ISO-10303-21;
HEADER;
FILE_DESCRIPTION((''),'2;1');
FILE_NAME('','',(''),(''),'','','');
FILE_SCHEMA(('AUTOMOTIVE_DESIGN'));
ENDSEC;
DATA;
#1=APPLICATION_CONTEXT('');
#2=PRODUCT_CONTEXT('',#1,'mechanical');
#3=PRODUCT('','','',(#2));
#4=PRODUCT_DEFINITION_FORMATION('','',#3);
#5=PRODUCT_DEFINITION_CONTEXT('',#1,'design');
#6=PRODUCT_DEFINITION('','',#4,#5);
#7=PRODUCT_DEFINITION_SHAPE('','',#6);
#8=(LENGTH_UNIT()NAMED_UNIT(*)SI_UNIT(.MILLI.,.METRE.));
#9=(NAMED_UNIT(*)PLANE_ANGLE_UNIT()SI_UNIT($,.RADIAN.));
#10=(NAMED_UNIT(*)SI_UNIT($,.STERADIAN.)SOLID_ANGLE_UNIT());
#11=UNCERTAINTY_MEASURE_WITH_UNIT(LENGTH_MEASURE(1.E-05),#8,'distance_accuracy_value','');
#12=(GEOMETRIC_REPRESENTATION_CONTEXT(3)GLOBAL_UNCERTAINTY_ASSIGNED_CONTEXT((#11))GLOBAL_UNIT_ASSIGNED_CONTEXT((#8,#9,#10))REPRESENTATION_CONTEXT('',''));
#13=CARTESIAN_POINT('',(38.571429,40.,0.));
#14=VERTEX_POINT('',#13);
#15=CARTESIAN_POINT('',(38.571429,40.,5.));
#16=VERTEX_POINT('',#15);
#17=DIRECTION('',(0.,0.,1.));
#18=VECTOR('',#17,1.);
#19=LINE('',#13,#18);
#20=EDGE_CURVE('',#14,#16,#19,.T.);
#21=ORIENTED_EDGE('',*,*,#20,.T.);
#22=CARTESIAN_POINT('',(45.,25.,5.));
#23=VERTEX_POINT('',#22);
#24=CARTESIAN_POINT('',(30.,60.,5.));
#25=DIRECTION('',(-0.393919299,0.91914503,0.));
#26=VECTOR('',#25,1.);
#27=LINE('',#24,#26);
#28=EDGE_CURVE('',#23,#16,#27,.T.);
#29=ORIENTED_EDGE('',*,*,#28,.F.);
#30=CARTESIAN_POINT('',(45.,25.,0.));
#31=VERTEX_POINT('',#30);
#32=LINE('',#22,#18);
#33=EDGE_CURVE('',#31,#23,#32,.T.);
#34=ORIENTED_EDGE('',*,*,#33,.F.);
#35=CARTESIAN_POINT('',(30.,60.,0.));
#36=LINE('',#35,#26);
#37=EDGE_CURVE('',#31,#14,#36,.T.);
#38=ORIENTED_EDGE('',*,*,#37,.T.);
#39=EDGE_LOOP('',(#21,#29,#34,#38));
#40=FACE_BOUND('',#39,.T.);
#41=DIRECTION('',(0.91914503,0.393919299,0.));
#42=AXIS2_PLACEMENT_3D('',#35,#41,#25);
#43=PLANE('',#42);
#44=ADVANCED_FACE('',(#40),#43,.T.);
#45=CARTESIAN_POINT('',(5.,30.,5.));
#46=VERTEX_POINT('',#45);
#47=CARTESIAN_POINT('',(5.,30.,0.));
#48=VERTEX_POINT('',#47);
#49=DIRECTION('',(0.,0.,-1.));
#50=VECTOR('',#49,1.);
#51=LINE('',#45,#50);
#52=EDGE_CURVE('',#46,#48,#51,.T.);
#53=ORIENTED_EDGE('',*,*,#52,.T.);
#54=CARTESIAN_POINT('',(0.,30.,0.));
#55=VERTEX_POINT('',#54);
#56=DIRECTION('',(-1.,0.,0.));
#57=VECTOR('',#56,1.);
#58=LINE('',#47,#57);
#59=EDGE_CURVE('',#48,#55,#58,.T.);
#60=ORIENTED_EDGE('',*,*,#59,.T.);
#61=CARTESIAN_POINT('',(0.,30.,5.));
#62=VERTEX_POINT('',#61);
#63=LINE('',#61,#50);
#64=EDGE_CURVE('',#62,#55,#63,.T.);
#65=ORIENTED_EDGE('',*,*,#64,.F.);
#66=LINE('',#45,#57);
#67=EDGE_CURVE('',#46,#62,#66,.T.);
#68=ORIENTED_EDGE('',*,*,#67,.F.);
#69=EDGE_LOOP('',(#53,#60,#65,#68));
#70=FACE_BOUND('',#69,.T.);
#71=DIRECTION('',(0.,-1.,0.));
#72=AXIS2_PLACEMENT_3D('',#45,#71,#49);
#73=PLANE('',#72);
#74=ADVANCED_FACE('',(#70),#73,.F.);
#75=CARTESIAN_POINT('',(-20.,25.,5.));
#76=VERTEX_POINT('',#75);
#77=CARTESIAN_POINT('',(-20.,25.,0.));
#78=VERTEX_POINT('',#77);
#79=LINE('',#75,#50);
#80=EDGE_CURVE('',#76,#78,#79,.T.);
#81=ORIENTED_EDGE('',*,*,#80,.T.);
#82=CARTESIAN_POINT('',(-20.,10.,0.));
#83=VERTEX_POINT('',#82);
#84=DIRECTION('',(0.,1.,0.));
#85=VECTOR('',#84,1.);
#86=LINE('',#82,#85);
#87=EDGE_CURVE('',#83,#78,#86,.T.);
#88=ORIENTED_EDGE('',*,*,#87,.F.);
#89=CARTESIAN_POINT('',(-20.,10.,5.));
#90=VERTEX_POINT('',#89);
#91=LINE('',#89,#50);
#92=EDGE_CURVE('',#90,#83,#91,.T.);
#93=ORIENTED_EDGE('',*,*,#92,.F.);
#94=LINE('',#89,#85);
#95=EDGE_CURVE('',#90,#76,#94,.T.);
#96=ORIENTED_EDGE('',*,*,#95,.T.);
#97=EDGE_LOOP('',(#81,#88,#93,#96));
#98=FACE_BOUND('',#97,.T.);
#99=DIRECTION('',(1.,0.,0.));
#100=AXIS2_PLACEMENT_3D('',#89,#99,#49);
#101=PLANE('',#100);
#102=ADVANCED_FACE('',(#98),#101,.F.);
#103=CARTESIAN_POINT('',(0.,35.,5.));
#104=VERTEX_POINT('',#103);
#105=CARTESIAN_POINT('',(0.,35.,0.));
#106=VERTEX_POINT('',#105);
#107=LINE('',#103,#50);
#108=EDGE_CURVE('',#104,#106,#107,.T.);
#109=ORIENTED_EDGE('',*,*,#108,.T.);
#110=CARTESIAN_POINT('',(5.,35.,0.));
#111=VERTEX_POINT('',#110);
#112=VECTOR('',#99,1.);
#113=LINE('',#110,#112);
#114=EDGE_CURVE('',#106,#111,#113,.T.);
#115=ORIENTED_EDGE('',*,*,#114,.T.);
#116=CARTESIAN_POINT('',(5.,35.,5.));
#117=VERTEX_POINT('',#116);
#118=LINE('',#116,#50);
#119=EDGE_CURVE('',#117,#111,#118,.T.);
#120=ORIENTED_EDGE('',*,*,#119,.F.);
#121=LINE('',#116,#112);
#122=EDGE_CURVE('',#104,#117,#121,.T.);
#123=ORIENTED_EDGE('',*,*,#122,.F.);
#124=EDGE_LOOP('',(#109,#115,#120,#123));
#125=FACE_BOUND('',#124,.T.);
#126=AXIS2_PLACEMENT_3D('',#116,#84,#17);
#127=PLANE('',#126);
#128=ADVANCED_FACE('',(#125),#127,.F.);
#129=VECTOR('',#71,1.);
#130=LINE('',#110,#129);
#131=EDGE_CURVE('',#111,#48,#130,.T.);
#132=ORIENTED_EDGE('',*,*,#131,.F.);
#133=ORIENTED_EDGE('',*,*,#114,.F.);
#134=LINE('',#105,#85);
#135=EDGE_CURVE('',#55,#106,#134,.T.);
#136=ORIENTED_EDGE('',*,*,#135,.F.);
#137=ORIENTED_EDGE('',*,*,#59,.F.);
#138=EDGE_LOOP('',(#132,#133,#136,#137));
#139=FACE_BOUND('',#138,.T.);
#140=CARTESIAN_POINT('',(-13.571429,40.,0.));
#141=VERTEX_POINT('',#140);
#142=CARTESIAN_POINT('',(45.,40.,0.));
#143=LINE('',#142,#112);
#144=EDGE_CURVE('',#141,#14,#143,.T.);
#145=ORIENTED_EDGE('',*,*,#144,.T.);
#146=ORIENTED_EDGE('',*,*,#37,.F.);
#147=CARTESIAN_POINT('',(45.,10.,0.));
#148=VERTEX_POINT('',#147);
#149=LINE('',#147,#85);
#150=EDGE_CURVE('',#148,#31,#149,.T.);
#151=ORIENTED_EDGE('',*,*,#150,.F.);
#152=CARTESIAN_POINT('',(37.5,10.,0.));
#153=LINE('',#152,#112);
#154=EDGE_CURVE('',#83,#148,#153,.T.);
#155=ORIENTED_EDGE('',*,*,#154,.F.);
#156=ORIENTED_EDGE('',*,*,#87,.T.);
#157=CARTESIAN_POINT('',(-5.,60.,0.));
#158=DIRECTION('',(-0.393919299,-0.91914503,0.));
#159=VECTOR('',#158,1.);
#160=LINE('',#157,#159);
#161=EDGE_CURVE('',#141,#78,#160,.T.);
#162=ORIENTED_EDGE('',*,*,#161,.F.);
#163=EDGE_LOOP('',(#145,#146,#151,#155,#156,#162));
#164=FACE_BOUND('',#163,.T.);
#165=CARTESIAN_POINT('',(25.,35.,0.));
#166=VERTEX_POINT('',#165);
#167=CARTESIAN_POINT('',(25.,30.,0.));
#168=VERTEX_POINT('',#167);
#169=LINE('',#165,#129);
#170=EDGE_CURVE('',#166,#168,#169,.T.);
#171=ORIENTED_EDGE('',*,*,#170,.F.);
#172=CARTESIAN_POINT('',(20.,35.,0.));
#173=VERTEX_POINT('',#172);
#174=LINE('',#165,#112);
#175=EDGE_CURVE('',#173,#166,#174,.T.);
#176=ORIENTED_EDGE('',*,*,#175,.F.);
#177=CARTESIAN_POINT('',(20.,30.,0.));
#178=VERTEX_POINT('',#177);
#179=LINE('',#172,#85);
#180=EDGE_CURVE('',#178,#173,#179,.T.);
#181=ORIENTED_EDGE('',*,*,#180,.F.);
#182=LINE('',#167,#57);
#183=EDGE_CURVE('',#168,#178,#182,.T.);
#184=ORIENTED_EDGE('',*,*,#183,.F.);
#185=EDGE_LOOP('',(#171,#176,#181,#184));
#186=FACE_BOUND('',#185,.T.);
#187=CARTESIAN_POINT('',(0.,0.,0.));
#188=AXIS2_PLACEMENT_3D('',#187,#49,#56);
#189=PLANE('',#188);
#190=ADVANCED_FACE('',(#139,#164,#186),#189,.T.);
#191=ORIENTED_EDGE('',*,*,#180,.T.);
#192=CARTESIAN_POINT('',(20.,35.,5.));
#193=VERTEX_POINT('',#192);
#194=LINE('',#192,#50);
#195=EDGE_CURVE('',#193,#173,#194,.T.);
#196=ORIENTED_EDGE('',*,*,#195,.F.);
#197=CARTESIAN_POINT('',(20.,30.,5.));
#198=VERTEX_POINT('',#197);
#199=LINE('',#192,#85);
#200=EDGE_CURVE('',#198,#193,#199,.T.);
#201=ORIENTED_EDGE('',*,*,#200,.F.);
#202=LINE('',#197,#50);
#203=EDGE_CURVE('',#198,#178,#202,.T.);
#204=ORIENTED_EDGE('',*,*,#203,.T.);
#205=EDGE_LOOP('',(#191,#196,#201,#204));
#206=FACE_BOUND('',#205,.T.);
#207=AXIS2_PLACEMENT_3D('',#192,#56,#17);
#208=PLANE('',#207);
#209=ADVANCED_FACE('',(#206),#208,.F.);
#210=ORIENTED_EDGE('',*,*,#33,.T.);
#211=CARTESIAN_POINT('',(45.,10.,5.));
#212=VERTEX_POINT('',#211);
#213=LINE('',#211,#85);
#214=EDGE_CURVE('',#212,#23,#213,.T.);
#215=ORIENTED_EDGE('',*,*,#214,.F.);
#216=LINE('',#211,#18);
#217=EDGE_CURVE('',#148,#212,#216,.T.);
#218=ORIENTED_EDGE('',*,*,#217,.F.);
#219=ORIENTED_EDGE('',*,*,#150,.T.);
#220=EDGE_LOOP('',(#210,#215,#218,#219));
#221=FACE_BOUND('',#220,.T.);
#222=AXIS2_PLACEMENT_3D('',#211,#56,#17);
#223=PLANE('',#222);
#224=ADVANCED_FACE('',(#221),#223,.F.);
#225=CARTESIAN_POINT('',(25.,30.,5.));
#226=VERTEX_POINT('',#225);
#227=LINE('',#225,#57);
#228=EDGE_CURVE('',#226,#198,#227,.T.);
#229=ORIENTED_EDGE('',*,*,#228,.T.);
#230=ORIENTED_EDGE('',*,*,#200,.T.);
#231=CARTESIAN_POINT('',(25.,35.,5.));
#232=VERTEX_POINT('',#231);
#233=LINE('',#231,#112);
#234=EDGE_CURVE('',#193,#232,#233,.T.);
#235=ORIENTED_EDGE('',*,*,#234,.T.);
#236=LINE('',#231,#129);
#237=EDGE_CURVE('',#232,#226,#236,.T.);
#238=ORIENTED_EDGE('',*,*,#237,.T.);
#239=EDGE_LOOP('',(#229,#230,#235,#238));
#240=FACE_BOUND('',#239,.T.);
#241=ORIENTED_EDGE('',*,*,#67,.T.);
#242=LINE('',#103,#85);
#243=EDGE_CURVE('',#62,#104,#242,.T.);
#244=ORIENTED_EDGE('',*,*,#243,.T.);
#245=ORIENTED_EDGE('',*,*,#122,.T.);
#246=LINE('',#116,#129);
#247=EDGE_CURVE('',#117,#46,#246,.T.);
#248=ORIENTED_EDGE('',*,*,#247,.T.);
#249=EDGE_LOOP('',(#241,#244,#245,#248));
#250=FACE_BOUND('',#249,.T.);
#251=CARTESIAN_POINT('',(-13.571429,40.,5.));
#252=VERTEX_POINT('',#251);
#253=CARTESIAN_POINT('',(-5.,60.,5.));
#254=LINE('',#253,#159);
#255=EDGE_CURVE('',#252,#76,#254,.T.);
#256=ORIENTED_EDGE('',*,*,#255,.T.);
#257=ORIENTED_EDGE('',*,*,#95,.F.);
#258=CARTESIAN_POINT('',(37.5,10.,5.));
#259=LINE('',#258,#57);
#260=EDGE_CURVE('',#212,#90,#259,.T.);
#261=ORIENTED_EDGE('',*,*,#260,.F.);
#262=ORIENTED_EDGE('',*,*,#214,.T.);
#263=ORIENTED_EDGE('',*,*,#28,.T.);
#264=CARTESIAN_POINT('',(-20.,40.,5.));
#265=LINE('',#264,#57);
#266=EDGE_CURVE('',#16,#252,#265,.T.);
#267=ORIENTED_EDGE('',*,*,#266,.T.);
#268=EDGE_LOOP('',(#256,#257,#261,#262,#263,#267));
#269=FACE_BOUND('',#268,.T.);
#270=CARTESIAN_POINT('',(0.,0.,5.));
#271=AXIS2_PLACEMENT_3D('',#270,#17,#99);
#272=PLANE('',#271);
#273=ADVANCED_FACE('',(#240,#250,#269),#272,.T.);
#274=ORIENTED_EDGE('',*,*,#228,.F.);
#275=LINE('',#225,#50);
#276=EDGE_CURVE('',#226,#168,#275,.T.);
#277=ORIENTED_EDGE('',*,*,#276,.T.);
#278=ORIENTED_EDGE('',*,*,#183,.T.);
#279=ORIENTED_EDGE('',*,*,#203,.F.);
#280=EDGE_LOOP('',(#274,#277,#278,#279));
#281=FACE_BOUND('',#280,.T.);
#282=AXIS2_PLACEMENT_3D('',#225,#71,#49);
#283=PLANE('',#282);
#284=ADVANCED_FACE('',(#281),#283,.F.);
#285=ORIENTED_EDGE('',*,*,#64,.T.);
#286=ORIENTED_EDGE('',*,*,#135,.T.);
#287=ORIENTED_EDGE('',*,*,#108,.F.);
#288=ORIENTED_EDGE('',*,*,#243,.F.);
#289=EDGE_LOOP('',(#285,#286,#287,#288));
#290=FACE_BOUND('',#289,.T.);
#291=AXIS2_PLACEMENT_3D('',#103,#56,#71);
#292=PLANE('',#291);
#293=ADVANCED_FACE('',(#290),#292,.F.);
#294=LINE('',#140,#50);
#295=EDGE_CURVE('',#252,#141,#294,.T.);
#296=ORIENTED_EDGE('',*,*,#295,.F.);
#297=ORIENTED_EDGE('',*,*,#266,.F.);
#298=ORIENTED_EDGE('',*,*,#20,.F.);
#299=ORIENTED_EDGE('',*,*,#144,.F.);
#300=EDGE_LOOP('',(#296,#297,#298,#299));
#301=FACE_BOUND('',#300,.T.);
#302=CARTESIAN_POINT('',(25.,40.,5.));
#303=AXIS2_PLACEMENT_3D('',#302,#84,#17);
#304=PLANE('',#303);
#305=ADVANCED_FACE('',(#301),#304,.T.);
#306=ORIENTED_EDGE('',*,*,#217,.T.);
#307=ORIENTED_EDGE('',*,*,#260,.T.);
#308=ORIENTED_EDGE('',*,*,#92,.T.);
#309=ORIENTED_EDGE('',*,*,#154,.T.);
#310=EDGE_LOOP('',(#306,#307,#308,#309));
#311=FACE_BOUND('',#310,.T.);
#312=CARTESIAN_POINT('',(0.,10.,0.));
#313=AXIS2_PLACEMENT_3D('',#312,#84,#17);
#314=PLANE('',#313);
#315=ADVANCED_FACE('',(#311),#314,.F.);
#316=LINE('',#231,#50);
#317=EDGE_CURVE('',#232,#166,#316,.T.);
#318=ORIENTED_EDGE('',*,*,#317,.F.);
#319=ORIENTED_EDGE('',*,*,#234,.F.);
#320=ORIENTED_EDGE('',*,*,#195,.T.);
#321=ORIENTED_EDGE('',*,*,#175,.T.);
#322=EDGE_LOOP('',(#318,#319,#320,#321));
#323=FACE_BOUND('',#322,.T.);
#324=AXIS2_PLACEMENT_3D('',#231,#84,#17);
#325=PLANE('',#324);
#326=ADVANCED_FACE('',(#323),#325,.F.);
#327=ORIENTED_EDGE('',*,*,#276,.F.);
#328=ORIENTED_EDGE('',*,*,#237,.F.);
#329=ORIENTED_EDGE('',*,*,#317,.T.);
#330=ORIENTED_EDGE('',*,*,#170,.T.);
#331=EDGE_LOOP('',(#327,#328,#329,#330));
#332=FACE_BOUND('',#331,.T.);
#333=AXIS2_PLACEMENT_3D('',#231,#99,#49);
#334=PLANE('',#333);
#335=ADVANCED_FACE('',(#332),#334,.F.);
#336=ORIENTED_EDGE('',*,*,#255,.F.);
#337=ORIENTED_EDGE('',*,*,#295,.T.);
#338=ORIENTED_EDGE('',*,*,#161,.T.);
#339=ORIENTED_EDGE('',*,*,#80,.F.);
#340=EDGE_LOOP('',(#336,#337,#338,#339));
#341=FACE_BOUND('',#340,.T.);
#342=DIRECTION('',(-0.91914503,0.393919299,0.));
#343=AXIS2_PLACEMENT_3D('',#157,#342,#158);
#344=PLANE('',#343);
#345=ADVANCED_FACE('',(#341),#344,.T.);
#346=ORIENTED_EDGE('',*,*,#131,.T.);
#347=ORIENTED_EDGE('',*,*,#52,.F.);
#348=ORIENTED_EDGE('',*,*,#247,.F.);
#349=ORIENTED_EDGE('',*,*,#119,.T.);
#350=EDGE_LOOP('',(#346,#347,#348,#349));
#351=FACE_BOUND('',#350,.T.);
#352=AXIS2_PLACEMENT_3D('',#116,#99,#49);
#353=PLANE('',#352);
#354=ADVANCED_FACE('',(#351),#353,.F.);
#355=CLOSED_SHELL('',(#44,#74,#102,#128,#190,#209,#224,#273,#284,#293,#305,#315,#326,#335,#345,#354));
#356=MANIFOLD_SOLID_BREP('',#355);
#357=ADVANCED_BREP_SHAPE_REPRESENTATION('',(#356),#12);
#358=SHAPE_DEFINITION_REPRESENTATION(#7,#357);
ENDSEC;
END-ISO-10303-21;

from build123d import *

# Parameters (mm, degrees)
BOSS_EXTRUDE1_DEPTH  = 2
SKETCH2_W            = 5
SKETCH2_H            = 25
SKETCH2_W_2          = 20
BOSS_EXTRUDE2_DEPTH  = 20
SKETCH3_W            = 25
SKETCH3_H            = 2
BOSS_EXTRUDE3_DEPTH  = 25
SKETCH4_W            = 25
SKETCH4_H            = 25
BOSS_EXTRUDE4_DEPTH  = 7
BOSS_EXTRUDE5_DEPTH  = 5
SKETCH6_W            = 50
SKETCH6_H            = 25
BOSS_EXTRUDE6_DEPTH  = 5
BOSS_EXTRUDE7_DEPTH  = 30
CUT_EXTRUDE2_DEPTH   = 30
SKETCH10_W           = 5
SKETCH10_H           = 25
CUT_EXTRUDE3_DEPTH   = 20
SKETCH11_W           = 25
SKETCH11_H           = 25
CUT_EXTRUDE4_DEPTH   = 7
SKETCH13_W           = 5
SKETCH13_H           = 25
CUT_EXTRUDE5_DEPTH   = 10
BOSS_EXTRUDE8_REACH  = 12
SKETCH14_W           = 10
SKETCH14_H           = 5
SKETCH15_W           = 2.5
SKETCH15_H           = 25
CUT_EXTRUDE6_DEPTH   = 15
SKETCH16_W           = 5
SKETCH16_H           = 15
CUT_EXTRUDE7_DEPTH   = 26
SKETCH17_W           = 5
SKETCH17_H           = 15
CUT_EXTRUDE8_DEPTH   = 43.5
SKETCH18_W           = 5
SKETCH18_H           = 15
CUT_EXTRUDE9_DEPTH   = 6
CUT_EXTRUDE10_DEPTH  = 43.5
CUT_EXTRUDE11_DEPTH  = 43.5
SKETCH21_W           = 5
SKETCH21_H           = 5
SKETCH21_H_2         = 15
BOSS_EXTRUDE9_DEPTH  = 5
SKETCH22_W           = 5
SKETCH22_H           = 5
SKETCH22_W_2         = 50
SKETCH22_H_2         = 15
CUT_EXTRUDE12_DEPTH  = 6
SKETCH23_W           = 5
SKETCH23_H           = 5
CUT_EXTRUDE13_DEPTH  = 6
BOSS_EXTRUDE10_DEPTH = 15
BOSS_EXTRUDE11_DEPTH = 5
SKETCH26_W           = 65
SKETCH26_H           = 5
CUT_EXTRUDE14_DEPTH  = 20


with BuildPart() as part:
    # Sketch1 → Boss-Extrude1 (new body)
    with BuildSketch(Plane.XY):
        Polygon((-5, 75), (2.5, 25), (2.5, 0), (22.5, 0), (22.5, 25), (30, 75), (30, 100), (25, 100), (25, 75), (0, 75), (0, 100), (-5, 100), align=None)
    extrude(amount=BOSS_EXTRUDE1_DEPTH)

    # Sketch2 → Boss-Extrude2 (add)
    with BuildSketch(Plane(origin=(0, 0, 0), x_dir=(-1, 0, 0), z_dir=(0, 0, -1))):
        with Locations((-27.5, 87.5)):
            Rectangle(SKETCH2_W, SKETCH2_H)
        with Locations((2.5, 87.5)):
            Rectangle(SKETCH2_W, SKETCH2_H)
        with Locations((-12.5, 12.5)):
            Rectangle(SKETCH2_W_2, SKETCH2_H)
    extrude(amount=BOSS_EXTRUDE2_DEPTH)

    # Sketch3 → Boss-Extrude3 (add)
    with BuildSketch(Plane(origin=(0, 75, 0), x_dir=(1, 0, 0), z_dir=(0, 1, 0))):
        with Locations((12.5, -1)):
            Rectangle(SKETCH3_W, SKETCH3_H)
    extrude(amount=BOSS_EXTRUDE3_DEPTH)

    # Sketch4 → Boss-Extrude4 (add)
    with BuildSketch(Plane(origin=(0, 0, 0), x_dir=(-1, 0, 0), z_dir=(0, 0, -1))):
        with Locations((-12.5, 87.5)):
            Rectangle(SKETCH4_W, SKETCH4_H)
    extrude(amount=BOSS_EXTRUDE4_DEPTH)

    # Sketch5 → Boss-Extrude5 (add)
    with BuildSketch(Plane(origin=(0, 0, 0), x_dir=(-1, 0, 0), z_dir=(0, 0, -1))):
        Polygon((5, 75), (5, 0), (-2.5, 0), (-22.5, 0), (-30, 0), (-30, 75), (-30, 100), (5, 100), align=None)
    extrude(amount=-BOSS_EXTRUDE5_DEPTH)

    # Sketch6 → Boss-Extrude6 (add)
    with BuildSketch(Plane.XY.offset(5)):
        with Locations((12.5, 12.5)):
            Rectangle(SKETCH6_W, SKETCH6_H)
    extrude(amount=-BOSS_EXTRUDE6_DEPTH)

    # Sketch8 → Boss-Extrude7 (add)
    with BuildSketch(Plane.XZ.offset(-75)):
        Polygon((-5, 0), (-5, -20), (0, -20), (0, -7), (25, -7), (25, -20), (30, -20), (30, 0), align=None)
    extrude(amount=BOSS_EXTRUDE7_DEPTH)

    # Sketch9 → Cut-Extrude2 (cut)
    with BuildSketch(Plane(origin=(0, 100, 0), x_dir=(1, 0, 0), z_dir=(0, 1, 0))):
        Polygon((30, 20), (25, 20), (25, 7), (0, 7), (0, 20), (-5, 20), (-5, -5), (30, -5), align=None)
    extrude(amount=-CUT_EXTRUDE2_DEPTH, mode=Mode.SUBTRACT)

    # Sketch10 → Cut-Extrude3 (cut)
    with BuildSketch(Plane(origin=(0, 0, -20), x_dir=(-1, 0, 0), z_dir=(0, 0, -1))):
        with Locations((-20, 12.5)):
            Rectangle(SKETCH10_W, SKETCH10_H)
        with Locations((-5, 12.5)):
            Rectangle(SKETCH10_W, SKETCH10_H)
    extrude(amount=-CUT_EXTRUDE3_DEPTH, mode=Mode.SUBTRACT)

    # Sketch11 → Cut-Extrude4 (cut)
    with BuildSketch(Plane(origin=(0, 0, -7), x_dir=(-1, 0, 0), z_dir=(0, 0, -1))):
        with Locations((-12.5, 57.5)):
            Rectangle(SKETCH11_W, SKETCH11_H)
    extrude(amount=-CUT_EXTRUDE4_DEPTH, mode=Mode.SUBTRACT)

    # Sketch13 → Cut-Extrude5 (cut)
    with BuildSketch(Plane(origin=(17.5, 0, 0), x_dir=(0, 0, -1), z_dir=(1, 0, 0))):
        Polygon((5, 25), (5, 20), (10, 20), (10, 5), (0, 5), (0, 25), align=None)
        with Locations((17.5, 12.5)):
            Rectangle(SKETCH13_W, SKETCH13_H)
    extrude(amount=-CUT_EXTRUDE5_DEPTH, mode=Mode.SUBTRACT)

    # Sketch14 → Boss-Extrude8 (add, up to next)
    with BuildSketch(Plane.XY.offset(-5), mode=Mode.PRIVATE) as boss_extrude8_sk1:
        with Locations((12.5, 22.5)):
            Rectangle(SKETCH14_W, SKETCH14_H)
    boss_extrude8_tool1 = extrude(boss_extrude8_sk1.sketch, amount=BOSS_EXTRUDE8_REACH, mode=Mode.PRIVATE) - part.part
    add(boss_extrude8_tool1.solids().sort_by_distance((12.5, 22.5, -5))[0])

    # Sketch15 → Cut-Extrude6 (cut)
    with BuildSketch(Plane(origin=(0, 0, -15), x_dir=(-1, 0, 0), z_dir=(0, 0, -1))):
        with Locations((-8.75, 12.5)):
            Rectangle(SKETCH15_W, SKETCH15_H)
        with Locations((-16.25, 12.5)):
            Rectangle(SKETCH15_W, SKETCH15_H)
    extrude(amount=-CUT_EXTRUDE6_DEPTH, mode=Mode.SUBTRACT)

    # Sketch16 → Cut-Extrude7 (cut, through all)
    with BuildSketch(Plane.XY.offset(5)):
        with Locations((-5, 12.5)):
            Rectangle(SKETCH16_W, SKETCH16_H)
        with Locations((30, 12.5)):
            Rectangle(SKETCH16_W, SKETCH16_H)
    extrude(amount=-CUT_EXTRUDE7_DEPTH, mode=Mode.SUBTRACT)

    # Sketch17 → Cut-Extrude8 (cut, through all)
    with BuildSketch(Plane(origin=(30, 0, 0), x_dir=(0, 0, -1), z_dir=(1, 0, 0))):
        with Locations((2.5, 57.5)):
            Rectangle(SKETCH17_W, SKETCH17_H)
    extrude(amount=-CUT_EXTRUDE8_DEPTH, mode=Mode.SUBTRACT)

    # Sketch18 → Cut-Extrude9 (cut, through all)
    with BuildSketch(Plane(origin=(0, 0, 0), x_dir=(-1, 0, 0), z_dir=(0, 0, -1))):
        with Locations((-2.5, 57.5)):
            Rectangle(SKETCH18_W, SKETCH18_H)
        with Locations((-22.5, 57.5)):
            Rectangle(SKETCH18_W, SKETCH18_H)
    extrude(amount=-CUT_EXTRUDE9_DEPTH, mode=Mode.SUBTRACT)

    # Sketch19 → Cut-Extrude10 (cut, through all)
    with BuildSketch(Plane(origin=(30, 0, 0), x_dir=(0, 0, -1), z_dir=(1, 0, 0))):
        Polygon((5, 60), (10, 60), (10, 45), (20, 45), (20, 70), (-5, 70), (-5, 60), (0, 60), align=None)
    extrude(amount=-CUT_EXTRUDE10_DEPTH, mode=Mode.SUBTRACT)

    # Sketch20 → Cut-Extrude11 (cut, through all)
    with BuildSketch(Plane(origin=(30, 0, 0), x_dir=(0, 0, -1), z_dir=(1, 0, 0))):
        Polygon((10, 45), (15, 25), (15, 0), (0, 0), (0, 60), (10, 60), align=None)
    extrude(amount=-CUT_EXTRUDE11_DEPTH, mode=Mode.SUBTRACT)

    # Sketch21 → Boss-Extrude9 (add)
    with BuildSketch(Plane(origin=(0, 0, 0), x_dir=(-1, 0, 0), z_dir=(0, 0, -1))):
        with Locations((-2.5, 57.5)):
            Rectangle(SKETCH21_W, SKETCH21_H)
        with Locations((-22.5, 57.5)):
            Rectangle(SKETCH21_W, SKETCH21_H)
        with Locations((5, 12.5)):
            Rectangle(SKETCH21_W, SKETCH21_H_2)
        with Locations((-30, 12.5)):
            Rectangle(SKETCH21_W, SKETCH21_H_2)
    extrude(amount=-BOSS_EXTRUDE9_DEPTH)

    # Sketch22 → Cut-Extrude12 (cut, through all)
    with BuildSketch(Plane(origin=(0, 0, 0), x_dir=(-1, 0, 0), z_dir=(0, 0, -1))):
        with Locations((-12.5, 22.5)):
            Rectangle(SKETCH22_W, SKETCH22_H)
        with Locations((-12.5, 7.5)):
            Rectangle(SKETCH22_W_2, SKETCH22_H_2)
    extrude(amount=-CUT_EXTRUDE12_DEPTH, mode=Mode.SUBTRACT)

    # Sketch23 → Cut-Extrude13 (cut, through all)
    with BuildSketch(Plane(origin=(0, 0, 0), x_dir=(-1, 0, 0), z_dir=(0, 0, -1))):
        with Locations((-22.5, 32.5)):
            Rectangle(SKETCH23_W, SKETCH23_H)
        with Locations((-2.5, 32.5)):
            Rectangle(SKETCH23_W, SKETCH23_H)
    extrude(amount=-CUT_EXTRUDE13_DEPTH, mode=Mode.SUBTRACT)

    # Sketch24 → Boss-Extrude10 (add)
    with BuildSketch(Plane.XZ.offset(-25)):
        Polygon((-12.5, 5), (-20, 5), (-20, 0), (-12.5, 0), (37.5, 0), (45, 0), (45, 5), (37.5, 5), align=None)
    extrude(amount=BOSS_EXTRUDE10_DEPTH)

    # Sketch25 → Boss-Extrude11 (add, through all)
    with BuildSketch(Plane.XY.offset(5)):
        Polygon((45, 25), (30, 25), (30, 60), align=None)
        Polygon((-5, 25), (-5, 60), (-20, 25), align=None)
    extrude(amount=-BOSS_EXTRUDE11_DEPTH)

    # Sketch26 → Cut-Extrude14 (cut)
    with BuildSketch(Plane(origin=(0, 60, 0), x_dir=(1, 0, 0), z_dir=(0, 1, 0))):
        with Locations((12.5, -2.5)):
            Rectangle(SKETCH26_W, SKETCH26_H)
    extrude(amount=-CUT_EXTRUDE14_DEPTH, mode=Mode.SUBTRACT)


solid = part.part
